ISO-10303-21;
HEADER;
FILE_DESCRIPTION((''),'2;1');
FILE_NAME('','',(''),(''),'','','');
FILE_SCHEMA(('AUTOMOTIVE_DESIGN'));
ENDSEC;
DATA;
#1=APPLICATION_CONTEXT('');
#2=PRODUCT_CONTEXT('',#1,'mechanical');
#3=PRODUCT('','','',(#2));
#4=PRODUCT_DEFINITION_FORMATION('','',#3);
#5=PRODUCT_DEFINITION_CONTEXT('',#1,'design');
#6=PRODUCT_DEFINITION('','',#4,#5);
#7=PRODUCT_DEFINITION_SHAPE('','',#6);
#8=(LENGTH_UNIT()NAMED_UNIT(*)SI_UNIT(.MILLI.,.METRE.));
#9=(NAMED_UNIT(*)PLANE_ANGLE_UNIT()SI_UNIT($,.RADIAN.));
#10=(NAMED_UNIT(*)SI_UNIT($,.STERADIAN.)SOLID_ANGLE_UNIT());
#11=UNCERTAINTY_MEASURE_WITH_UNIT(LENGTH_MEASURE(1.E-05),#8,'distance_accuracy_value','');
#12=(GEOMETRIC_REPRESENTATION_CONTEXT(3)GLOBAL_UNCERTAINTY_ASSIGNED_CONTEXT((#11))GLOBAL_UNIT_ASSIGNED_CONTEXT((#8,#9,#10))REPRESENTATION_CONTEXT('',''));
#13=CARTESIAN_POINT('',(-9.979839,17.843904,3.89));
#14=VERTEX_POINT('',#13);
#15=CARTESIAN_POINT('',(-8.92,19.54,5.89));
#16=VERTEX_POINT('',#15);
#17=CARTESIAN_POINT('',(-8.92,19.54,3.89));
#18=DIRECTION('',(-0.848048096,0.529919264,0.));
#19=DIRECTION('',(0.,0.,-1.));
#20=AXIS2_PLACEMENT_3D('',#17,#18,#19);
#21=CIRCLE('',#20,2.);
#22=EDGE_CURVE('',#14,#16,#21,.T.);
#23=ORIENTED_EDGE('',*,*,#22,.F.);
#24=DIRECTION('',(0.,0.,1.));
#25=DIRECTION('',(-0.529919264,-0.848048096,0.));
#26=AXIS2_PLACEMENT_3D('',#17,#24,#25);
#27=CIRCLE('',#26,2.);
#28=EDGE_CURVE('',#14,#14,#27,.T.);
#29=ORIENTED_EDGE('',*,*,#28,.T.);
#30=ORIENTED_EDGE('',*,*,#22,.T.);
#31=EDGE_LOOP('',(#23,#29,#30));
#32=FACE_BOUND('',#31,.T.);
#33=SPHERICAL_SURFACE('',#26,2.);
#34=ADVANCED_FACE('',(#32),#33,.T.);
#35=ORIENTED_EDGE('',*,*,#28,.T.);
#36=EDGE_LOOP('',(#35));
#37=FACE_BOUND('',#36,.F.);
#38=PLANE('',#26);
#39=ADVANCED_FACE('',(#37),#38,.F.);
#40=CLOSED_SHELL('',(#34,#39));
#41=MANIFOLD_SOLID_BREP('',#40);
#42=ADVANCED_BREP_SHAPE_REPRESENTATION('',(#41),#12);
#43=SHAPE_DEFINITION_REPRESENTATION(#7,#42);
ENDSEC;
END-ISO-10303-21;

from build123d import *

# Parameters (mm, degrees)
BOX181_W               = 10
BOX181_H               = 10
BOX181_DEPTH           = 10
CUT090_PLACEMENT_ANGLE = 122


with BuildPart() as cube012:
    # Box181 → Box181 (new body)
    with BuildSketch(Plane(origin=(-5, -5, -10), x_dir=(1, 0, 0), z_dir=(0, 0, 1))):
        with Locations((5, 5)):
            Rectangle(BOX181_W, BOX181_H)
    extrude(amount=BOX181_DEPTH)


with BuildPart() as sapphire_half_ball_lens012:
    # Sphere012 → Sphere012 (revolve)
    with BuildSketch(Plane.XZ):
        with BuildLine():
            ThreePointArc((0, -2), (2, 0), (0, 2))
            Line((0, 2), (0, -2))
        make_face()
    revolve(axis=Axis((0, 0, 0), (0, 0, 1)))

    # Cut090: cut Cube012
    add(cube012.part, mode=Mode.SUBTRACT)


with BuildPart() as sapphire_half_ball_lens012_1:
    # Cut090 placement: moved
    add(sapphire_half_ball_lens012.part.moved(Location((-8.92, 19.54, 3.89))).rotate(Axis((-8.92, 19.54, 3.89), (0, 0, -1)), CUT090_PLACEMENT_ANGLE))


solid = sapphire_half_ball_lens012_1.part
